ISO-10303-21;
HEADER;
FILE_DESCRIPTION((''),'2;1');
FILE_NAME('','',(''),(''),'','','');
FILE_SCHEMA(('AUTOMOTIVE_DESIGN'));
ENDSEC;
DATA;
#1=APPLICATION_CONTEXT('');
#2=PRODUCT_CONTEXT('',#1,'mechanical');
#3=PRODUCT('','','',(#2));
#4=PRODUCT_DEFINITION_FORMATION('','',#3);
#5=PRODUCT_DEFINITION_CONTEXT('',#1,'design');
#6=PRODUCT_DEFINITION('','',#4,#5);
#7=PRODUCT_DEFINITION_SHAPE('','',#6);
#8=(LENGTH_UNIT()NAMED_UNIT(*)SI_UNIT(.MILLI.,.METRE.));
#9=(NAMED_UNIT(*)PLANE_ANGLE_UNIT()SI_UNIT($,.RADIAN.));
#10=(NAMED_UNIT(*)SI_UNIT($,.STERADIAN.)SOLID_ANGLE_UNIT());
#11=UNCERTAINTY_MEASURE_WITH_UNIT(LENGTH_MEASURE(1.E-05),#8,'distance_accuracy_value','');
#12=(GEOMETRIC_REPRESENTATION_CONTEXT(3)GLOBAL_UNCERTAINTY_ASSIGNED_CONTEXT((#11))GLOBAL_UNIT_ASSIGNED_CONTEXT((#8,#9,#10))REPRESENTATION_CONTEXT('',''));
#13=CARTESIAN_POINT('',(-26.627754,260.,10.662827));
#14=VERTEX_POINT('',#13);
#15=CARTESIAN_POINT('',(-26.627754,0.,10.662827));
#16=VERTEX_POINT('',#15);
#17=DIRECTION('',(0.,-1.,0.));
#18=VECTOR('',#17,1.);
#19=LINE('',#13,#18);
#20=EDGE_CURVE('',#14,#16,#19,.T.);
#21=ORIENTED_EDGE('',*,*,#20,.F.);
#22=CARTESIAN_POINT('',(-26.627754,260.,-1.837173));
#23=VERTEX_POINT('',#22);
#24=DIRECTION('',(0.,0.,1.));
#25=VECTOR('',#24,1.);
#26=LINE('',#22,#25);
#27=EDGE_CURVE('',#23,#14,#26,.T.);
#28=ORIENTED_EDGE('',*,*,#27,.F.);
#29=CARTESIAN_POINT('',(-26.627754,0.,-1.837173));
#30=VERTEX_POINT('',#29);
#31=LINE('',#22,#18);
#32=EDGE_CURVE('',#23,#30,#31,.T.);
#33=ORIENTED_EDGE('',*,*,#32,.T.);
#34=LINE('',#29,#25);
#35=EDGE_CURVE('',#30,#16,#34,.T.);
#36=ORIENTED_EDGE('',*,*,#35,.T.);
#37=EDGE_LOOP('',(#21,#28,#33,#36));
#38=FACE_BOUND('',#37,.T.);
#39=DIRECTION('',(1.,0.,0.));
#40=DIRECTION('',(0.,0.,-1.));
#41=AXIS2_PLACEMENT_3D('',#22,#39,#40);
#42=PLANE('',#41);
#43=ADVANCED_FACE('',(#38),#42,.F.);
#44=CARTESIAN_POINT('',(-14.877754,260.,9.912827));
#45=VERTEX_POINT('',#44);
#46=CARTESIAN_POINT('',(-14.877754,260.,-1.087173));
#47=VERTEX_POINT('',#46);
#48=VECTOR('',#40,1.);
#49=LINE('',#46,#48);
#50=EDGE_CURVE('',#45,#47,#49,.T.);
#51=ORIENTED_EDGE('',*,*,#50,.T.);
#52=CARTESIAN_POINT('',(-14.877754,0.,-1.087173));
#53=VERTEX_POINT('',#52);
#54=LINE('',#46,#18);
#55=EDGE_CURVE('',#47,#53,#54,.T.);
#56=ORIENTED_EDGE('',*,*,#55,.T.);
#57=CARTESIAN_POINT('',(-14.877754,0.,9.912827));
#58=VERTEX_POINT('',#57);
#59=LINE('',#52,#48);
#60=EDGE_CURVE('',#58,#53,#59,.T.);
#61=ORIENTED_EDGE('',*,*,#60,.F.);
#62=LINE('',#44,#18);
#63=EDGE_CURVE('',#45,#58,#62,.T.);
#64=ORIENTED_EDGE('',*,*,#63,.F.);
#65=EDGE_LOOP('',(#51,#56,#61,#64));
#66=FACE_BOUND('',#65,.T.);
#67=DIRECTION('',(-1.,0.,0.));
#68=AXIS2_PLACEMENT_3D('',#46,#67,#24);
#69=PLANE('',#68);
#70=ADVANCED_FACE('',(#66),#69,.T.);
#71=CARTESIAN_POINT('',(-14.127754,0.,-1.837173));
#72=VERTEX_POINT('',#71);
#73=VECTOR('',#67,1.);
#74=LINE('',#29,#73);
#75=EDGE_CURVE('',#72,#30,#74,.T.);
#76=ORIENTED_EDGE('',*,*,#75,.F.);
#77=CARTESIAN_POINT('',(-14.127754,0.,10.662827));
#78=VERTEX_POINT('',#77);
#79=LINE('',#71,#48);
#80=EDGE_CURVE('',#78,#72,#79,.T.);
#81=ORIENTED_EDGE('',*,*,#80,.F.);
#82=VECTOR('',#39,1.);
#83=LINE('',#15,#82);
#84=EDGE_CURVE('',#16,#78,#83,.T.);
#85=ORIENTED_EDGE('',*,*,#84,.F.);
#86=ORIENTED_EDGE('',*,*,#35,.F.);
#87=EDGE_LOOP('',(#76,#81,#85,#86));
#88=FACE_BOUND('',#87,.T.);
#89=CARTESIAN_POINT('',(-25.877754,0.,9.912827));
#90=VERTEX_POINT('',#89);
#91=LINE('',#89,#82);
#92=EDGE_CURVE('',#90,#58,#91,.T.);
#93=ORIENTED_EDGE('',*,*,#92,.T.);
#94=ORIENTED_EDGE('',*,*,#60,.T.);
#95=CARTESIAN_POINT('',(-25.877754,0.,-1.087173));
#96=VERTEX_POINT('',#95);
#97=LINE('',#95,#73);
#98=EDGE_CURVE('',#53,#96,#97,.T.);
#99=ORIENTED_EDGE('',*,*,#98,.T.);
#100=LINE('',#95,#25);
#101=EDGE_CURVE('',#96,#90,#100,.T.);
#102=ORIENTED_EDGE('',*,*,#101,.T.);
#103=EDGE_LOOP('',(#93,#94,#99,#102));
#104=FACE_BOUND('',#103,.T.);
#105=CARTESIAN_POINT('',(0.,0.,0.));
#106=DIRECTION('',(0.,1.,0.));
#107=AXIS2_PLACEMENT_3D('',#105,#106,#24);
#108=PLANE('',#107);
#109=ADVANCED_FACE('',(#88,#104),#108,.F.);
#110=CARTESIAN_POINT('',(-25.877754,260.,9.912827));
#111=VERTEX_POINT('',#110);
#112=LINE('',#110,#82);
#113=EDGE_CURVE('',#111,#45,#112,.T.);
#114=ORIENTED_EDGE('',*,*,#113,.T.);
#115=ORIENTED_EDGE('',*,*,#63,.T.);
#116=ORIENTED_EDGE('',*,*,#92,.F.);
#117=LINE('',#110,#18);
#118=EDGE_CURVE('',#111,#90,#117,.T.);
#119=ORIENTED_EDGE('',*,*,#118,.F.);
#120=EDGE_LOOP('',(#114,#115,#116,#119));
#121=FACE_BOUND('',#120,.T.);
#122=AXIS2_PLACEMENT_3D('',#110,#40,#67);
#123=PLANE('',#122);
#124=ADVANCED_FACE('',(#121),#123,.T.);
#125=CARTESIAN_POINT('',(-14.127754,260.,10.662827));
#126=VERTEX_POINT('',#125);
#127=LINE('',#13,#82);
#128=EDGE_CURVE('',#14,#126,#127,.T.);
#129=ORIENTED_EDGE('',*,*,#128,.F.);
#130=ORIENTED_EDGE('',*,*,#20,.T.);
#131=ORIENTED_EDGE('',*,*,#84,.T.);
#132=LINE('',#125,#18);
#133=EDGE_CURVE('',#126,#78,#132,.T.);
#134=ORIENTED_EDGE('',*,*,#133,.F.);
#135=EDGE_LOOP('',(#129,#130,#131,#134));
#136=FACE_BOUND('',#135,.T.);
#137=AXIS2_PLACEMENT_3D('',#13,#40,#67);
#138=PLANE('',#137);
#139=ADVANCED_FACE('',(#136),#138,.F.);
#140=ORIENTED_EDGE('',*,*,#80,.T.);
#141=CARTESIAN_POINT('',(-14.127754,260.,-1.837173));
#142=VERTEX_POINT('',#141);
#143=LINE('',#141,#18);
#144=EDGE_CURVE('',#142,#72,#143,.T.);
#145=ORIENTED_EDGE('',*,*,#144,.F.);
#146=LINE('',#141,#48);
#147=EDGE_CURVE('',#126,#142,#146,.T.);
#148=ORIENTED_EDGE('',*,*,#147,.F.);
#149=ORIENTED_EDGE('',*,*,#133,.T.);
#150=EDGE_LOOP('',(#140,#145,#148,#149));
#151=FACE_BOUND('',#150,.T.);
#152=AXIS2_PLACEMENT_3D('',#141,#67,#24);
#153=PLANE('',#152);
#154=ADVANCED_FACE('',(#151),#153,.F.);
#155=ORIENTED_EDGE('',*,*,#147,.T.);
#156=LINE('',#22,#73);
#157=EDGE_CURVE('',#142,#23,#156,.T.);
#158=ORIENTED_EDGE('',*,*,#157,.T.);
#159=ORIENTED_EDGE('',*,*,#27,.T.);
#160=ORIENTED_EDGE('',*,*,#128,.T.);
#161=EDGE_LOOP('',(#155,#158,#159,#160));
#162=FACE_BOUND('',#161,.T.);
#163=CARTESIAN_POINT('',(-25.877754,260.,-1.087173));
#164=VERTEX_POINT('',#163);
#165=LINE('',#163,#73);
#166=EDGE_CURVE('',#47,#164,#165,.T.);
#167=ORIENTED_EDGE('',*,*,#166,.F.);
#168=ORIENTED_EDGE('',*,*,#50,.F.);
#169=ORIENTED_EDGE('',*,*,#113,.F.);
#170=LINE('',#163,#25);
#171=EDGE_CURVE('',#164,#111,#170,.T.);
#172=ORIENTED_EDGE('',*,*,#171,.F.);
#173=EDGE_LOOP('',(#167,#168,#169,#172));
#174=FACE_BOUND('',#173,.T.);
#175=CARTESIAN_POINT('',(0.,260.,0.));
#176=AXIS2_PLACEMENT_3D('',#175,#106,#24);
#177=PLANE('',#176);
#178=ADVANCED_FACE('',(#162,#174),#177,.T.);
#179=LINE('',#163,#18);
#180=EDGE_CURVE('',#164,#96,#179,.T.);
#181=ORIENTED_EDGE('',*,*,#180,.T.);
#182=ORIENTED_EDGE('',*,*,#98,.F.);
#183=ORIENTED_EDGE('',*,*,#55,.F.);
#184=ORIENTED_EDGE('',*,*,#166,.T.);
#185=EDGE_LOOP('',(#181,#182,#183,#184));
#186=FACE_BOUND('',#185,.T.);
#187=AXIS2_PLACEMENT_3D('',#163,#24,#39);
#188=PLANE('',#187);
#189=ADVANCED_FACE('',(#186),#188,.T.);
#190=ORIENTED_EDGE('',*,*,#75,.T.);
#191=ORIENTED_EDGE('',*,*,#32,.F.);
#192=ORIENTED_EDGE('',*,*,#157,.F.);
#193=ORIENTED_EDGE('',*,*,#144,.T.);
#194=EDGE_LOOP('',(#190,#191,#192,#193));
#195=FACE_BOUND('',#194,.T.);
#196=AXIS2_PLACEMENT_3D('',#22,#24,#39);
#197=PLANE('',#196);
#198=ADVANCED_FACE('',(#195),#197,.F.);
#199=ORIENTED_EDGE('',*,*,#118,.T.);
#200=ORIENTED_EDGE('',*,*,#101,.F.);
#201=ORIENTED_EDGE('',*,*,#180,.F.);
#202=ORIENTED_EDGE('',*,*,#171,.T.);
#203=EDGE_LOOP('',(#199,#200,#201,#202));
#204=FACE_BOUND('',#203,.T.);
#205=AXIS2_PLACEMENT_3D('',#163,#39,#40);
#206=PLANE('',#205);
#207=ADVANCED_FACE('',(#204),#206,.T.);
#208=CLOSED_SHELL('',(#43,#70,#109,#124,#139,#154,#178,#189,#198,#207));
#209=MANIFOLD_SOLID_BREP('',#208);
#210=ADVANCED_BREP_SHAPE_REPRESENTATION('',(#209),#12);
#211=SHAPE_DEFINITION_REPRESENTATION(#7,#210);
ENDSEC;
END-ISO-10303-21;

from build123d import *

# Parameters (mm, degrees)
SKETCH1_W           = 12.5
SKETCH1_H           = 12.5
SKETCH1_W_2         = 11
SKETCH1_H_2         = 11
BOSS_EXTRUDE3_DEPTH = 260


with BuildPart() as part:
    # Sketch1 → Boss-Extrude3 (new body)
    with BuildSketch(Plane(origin=(0, 0, 0), x_dir=(1, 0, 0), z_dir=(0, 1, 0))):
        with Locations((-20.377754415, -4.412827368)):
            Rectangle(SKETCH1_W, SKETCH1_H)
        with Locations((-20.377754415, -4.412827368)):
            Rectangle(SKETCH1_W_2, SKETCH1_H_2, mode=Mode.SUBTRACT)
    extrude(amount=BOSS_EXTRUDE3_DEPTH)


solid = part.part
